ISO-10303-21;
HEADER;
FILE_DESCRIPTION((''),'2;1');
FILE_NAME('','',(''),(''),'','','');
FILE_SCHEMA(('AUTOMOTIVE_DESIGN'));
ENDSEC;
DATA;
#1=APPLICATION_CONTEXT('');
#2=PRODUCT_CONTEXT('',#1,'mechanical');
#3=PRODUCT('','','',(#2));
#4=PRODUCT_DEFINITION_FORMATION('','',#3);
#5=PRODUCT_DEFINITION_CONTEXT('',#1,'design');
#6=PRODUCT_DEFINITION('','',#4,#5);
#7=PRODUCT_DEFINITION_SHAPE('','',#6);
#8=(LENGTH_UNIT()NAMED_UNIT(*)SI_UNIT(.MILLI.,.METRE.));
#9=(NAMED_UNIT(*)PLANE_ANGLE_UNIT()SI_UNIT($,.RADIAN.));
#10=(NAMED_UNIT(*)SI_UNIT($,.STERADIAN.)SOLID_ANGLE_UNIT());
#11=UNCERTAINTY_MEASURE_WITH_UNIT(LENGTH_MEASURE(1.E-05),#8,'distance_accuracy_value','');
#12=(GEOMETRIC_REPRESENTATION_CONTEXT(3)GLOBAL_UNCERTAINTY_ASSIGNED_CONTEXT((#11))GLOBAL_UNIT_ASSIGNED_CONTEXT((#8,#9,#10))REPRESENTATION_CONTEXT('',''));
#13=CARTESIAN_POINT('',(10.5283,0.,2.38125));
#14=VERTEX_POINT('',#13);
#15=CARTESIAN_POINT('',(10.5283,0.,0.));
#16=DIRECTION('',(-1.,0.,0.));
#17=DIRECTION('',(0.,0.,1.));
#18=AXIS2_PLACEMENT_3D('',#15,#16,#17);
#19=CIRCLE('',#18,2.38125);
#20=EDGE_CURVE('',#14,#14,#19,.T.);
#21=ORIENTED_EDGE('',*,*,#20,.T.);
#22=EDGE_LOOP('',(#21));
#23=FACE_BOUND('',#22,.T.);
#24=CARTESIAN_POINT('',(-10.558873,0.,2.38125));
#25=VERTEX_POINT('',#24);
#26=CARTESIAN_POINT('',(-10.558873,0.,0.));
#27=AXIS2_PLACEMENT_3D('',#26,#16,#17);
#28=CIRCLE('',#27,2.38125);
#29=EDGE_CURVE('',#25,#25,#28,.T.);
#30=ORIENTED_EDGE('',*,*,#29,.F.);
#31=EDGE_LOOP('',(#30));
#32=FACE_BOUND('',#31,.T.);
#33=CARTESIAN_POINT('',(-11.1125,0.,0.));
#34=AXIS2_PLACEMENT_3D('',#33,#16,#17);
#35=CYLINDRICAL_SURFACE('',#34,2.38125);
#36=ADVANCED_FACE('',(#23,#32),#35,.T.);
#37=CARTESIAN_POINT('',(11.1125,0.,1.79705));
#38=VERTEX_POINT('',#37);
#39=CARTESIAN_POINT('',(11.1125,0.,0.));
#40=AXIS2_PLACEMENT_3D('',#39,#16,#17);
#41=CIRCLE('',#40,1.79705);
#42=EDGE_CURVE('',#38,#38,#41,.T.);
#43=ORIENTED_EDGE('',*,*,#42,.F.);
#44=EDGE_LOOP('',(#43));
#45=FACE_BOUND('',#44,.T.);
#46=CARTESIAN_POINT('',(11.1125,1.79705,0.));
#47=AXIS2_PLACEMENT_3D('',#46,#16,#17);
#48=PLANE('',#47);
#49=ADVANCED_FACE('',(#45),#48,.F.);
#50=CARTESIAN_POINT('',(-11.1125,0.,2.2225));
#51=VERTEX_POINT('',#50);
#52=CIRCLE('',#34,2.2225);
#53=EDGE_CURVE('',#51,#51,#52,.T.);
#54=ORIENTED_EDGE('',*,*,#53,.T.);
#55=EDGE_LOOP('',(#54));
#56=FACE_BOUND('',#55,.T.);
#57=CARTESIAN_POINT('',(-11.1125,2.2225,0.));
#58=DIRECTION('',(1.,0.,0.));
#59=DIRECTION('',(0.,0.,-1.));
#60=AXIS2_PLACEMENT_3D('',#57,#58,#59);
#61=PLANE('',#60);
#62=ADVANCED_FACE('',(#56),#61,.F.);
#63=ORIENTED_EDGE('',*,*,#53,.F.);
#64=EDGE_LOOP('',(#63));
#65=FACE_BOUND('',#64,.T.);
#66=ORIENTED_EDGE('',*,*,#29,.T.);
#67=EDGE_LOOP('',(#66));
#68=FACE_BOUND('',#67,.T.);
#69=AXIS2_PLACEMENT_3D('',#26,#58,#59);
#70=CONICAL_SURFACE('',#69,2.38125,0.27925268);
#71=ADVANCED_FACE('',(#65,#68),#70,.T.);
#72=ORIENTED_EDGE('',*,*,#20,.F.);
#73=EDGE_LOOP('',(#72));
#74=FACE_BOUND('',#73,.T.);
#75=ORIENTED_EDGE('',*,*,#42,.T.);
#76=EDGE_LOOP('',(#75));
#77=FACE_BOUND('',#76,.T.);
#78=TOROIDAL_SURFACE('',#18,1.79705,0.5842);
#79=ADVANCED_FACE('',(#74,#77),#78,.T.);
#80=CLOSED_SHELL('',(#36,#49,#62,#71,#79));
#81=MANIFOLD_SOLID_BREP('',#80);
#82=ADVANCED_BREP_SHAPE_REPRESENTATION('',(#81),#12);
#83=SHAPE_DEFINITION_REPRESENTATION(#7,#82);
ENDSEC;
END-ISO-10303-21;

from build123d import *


with BuildPart() as part:
    # Sketch3 → Revolve1 (revolve)
    with BuildSketch(Plane.XY):
        with BuildLine():
            Line((11.1125, 1.79705), (11.1125, 0))
            Line((11.1125, 0), (-11.1125, 0))
            Line((-11.1125, 0), (-11.1125, 2.2225))
            Line((-11.1125, 2.2225), (-10.558872957, 2.38125))
            Line((-10.558872957, 2.38125), (10.5283, 2.38125))
            ThreePointArc((10.5283, 2.38125), (10.941391782, 2.210141782), (11.1125, 1.79705))
        make_face()
    revolve(axis=Axis((-11.1125, 0, 0), (1, 0, 0)))


solid = part.part
